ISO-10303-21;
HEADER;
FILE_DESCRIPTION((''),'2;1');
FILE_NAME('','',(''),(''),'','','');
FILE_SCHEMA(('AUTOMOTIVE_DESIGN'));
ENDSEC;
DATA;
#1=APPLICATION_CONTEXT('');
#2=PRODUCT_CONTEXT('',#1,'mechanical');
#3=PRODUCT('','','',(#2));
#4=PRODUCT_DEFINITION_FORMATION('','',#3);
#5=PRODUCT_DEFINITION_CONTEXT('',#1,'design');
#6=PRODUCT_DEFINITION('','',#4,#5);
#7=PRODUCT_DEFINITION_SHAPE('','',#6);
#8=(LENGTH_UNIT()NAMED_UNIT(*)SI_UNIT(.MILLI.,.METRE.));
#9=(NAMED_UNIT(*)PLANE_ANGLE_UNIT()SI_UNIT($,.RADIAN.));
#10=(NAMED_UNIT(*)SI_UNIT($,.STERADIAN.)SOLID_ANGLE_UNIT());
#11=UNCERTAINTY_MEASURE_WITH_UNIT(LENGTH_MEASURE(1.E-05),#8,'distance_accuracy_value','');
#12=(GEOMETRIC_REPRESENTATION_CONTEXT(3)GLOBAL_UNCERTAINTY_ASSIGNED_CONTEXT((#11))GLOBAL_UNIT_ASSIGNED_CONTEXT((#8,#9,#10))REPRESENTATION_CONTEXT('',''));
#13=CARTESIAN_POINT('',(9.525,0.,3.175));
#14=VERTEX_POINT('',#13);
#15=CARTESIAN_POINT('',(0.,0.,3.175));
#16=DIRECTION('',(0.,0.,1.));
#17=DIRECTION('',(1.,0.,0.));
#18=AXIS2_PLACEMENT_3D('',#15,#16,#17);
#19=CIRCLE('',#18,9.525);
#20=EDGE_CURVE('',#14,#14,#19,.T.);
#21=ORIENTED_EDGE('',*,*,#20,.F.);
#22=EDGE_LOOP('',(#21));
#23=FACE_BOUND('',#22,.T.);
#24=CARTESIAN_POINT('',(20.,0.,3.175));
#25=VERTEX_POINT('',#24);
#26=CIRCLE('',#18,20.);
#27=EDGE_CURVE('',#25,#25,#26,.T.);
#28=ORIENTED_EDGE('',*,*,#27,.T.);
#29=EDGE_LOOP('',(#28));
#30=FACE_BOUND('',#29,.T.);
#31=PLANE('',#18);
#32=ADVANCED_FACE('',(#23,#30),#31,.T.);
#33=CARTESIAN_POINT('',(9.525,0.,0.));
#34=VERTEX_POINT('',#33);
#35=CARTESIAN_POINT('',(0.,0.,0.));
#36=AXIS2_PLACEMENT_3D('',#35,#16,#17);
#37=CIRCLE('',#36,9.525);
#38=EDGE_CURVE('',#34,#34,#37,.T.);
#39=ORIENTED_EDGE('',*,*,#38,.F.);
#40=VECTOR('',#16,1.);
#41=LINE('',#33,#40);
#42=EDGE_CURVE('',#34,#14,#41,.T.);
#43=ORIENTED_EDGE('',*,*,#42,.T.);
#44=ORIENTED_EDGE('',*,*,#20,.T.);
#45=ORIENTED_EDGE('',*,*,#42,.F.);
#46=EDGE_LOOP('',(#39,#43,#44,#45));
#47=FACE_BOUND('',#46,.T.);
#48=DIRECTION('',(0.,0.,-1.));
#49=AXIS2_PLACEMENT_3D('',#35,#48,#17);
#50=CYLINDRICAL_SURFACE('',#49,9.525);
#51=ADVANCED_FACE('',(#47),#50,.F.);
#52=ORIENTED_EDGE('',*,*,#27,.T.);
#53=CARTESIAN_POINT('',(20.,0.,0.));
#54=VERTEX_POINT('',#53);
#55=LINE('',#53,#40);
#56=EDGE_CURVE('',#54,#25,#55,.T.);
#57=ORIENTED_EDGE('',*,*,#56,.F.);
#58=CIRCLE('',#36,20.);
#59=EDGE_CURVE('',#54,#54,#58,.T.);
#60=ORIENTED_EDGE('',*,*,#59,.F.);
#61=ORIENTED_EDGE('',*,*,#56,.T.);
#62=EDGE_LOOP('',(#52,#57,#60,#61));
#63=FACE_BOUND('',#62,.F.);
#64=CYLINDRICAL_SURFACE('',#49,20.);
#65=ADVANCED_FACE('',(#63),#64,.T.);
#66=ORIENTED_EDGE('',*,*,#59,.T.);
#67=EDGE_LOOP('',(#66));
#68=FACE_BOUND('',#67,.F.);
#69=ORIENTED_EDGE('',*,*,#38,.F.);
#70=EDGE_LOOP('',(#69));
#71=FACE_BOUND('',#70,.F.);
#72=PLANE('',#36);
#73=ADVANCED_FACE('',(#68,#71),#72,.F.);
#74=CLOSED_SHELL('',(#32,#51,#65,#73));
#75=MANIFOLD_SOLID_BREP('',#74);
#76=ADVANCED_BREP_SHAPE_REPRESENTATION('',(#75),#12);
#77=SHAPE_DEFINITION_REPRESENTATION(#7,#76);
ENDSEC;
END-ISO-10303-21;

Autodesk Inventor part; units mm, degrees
ref_plane "YZ Plane" through (0, 0, 0) normal (1, 0, 0) x (0, 1, 0)
ref_plane "XZ Plane" through (0, 0, 0) normal (0, 1, 0) x (-1, 0, 0)
ref_plane "XY Plane" through (0, 0, 0) normal (0, 0, 1) x (1, 0, 0)
sketch "Sketch1" plane through (0, 0, 0) normal (0, 0, 1) x (1, 0, 0)
  circle A0 centre (0, 0) radius 20
  circle A1 centre (0, 0) radius 20
  circle A2 centre (0, 0) radius 9.525
  dimension "d4" = 19.05
extrude "Extrusion2" add sketch "Sketch1" along normal blind 3.175
properties part number "1-8inch_BearingSpacer_Piece1"
